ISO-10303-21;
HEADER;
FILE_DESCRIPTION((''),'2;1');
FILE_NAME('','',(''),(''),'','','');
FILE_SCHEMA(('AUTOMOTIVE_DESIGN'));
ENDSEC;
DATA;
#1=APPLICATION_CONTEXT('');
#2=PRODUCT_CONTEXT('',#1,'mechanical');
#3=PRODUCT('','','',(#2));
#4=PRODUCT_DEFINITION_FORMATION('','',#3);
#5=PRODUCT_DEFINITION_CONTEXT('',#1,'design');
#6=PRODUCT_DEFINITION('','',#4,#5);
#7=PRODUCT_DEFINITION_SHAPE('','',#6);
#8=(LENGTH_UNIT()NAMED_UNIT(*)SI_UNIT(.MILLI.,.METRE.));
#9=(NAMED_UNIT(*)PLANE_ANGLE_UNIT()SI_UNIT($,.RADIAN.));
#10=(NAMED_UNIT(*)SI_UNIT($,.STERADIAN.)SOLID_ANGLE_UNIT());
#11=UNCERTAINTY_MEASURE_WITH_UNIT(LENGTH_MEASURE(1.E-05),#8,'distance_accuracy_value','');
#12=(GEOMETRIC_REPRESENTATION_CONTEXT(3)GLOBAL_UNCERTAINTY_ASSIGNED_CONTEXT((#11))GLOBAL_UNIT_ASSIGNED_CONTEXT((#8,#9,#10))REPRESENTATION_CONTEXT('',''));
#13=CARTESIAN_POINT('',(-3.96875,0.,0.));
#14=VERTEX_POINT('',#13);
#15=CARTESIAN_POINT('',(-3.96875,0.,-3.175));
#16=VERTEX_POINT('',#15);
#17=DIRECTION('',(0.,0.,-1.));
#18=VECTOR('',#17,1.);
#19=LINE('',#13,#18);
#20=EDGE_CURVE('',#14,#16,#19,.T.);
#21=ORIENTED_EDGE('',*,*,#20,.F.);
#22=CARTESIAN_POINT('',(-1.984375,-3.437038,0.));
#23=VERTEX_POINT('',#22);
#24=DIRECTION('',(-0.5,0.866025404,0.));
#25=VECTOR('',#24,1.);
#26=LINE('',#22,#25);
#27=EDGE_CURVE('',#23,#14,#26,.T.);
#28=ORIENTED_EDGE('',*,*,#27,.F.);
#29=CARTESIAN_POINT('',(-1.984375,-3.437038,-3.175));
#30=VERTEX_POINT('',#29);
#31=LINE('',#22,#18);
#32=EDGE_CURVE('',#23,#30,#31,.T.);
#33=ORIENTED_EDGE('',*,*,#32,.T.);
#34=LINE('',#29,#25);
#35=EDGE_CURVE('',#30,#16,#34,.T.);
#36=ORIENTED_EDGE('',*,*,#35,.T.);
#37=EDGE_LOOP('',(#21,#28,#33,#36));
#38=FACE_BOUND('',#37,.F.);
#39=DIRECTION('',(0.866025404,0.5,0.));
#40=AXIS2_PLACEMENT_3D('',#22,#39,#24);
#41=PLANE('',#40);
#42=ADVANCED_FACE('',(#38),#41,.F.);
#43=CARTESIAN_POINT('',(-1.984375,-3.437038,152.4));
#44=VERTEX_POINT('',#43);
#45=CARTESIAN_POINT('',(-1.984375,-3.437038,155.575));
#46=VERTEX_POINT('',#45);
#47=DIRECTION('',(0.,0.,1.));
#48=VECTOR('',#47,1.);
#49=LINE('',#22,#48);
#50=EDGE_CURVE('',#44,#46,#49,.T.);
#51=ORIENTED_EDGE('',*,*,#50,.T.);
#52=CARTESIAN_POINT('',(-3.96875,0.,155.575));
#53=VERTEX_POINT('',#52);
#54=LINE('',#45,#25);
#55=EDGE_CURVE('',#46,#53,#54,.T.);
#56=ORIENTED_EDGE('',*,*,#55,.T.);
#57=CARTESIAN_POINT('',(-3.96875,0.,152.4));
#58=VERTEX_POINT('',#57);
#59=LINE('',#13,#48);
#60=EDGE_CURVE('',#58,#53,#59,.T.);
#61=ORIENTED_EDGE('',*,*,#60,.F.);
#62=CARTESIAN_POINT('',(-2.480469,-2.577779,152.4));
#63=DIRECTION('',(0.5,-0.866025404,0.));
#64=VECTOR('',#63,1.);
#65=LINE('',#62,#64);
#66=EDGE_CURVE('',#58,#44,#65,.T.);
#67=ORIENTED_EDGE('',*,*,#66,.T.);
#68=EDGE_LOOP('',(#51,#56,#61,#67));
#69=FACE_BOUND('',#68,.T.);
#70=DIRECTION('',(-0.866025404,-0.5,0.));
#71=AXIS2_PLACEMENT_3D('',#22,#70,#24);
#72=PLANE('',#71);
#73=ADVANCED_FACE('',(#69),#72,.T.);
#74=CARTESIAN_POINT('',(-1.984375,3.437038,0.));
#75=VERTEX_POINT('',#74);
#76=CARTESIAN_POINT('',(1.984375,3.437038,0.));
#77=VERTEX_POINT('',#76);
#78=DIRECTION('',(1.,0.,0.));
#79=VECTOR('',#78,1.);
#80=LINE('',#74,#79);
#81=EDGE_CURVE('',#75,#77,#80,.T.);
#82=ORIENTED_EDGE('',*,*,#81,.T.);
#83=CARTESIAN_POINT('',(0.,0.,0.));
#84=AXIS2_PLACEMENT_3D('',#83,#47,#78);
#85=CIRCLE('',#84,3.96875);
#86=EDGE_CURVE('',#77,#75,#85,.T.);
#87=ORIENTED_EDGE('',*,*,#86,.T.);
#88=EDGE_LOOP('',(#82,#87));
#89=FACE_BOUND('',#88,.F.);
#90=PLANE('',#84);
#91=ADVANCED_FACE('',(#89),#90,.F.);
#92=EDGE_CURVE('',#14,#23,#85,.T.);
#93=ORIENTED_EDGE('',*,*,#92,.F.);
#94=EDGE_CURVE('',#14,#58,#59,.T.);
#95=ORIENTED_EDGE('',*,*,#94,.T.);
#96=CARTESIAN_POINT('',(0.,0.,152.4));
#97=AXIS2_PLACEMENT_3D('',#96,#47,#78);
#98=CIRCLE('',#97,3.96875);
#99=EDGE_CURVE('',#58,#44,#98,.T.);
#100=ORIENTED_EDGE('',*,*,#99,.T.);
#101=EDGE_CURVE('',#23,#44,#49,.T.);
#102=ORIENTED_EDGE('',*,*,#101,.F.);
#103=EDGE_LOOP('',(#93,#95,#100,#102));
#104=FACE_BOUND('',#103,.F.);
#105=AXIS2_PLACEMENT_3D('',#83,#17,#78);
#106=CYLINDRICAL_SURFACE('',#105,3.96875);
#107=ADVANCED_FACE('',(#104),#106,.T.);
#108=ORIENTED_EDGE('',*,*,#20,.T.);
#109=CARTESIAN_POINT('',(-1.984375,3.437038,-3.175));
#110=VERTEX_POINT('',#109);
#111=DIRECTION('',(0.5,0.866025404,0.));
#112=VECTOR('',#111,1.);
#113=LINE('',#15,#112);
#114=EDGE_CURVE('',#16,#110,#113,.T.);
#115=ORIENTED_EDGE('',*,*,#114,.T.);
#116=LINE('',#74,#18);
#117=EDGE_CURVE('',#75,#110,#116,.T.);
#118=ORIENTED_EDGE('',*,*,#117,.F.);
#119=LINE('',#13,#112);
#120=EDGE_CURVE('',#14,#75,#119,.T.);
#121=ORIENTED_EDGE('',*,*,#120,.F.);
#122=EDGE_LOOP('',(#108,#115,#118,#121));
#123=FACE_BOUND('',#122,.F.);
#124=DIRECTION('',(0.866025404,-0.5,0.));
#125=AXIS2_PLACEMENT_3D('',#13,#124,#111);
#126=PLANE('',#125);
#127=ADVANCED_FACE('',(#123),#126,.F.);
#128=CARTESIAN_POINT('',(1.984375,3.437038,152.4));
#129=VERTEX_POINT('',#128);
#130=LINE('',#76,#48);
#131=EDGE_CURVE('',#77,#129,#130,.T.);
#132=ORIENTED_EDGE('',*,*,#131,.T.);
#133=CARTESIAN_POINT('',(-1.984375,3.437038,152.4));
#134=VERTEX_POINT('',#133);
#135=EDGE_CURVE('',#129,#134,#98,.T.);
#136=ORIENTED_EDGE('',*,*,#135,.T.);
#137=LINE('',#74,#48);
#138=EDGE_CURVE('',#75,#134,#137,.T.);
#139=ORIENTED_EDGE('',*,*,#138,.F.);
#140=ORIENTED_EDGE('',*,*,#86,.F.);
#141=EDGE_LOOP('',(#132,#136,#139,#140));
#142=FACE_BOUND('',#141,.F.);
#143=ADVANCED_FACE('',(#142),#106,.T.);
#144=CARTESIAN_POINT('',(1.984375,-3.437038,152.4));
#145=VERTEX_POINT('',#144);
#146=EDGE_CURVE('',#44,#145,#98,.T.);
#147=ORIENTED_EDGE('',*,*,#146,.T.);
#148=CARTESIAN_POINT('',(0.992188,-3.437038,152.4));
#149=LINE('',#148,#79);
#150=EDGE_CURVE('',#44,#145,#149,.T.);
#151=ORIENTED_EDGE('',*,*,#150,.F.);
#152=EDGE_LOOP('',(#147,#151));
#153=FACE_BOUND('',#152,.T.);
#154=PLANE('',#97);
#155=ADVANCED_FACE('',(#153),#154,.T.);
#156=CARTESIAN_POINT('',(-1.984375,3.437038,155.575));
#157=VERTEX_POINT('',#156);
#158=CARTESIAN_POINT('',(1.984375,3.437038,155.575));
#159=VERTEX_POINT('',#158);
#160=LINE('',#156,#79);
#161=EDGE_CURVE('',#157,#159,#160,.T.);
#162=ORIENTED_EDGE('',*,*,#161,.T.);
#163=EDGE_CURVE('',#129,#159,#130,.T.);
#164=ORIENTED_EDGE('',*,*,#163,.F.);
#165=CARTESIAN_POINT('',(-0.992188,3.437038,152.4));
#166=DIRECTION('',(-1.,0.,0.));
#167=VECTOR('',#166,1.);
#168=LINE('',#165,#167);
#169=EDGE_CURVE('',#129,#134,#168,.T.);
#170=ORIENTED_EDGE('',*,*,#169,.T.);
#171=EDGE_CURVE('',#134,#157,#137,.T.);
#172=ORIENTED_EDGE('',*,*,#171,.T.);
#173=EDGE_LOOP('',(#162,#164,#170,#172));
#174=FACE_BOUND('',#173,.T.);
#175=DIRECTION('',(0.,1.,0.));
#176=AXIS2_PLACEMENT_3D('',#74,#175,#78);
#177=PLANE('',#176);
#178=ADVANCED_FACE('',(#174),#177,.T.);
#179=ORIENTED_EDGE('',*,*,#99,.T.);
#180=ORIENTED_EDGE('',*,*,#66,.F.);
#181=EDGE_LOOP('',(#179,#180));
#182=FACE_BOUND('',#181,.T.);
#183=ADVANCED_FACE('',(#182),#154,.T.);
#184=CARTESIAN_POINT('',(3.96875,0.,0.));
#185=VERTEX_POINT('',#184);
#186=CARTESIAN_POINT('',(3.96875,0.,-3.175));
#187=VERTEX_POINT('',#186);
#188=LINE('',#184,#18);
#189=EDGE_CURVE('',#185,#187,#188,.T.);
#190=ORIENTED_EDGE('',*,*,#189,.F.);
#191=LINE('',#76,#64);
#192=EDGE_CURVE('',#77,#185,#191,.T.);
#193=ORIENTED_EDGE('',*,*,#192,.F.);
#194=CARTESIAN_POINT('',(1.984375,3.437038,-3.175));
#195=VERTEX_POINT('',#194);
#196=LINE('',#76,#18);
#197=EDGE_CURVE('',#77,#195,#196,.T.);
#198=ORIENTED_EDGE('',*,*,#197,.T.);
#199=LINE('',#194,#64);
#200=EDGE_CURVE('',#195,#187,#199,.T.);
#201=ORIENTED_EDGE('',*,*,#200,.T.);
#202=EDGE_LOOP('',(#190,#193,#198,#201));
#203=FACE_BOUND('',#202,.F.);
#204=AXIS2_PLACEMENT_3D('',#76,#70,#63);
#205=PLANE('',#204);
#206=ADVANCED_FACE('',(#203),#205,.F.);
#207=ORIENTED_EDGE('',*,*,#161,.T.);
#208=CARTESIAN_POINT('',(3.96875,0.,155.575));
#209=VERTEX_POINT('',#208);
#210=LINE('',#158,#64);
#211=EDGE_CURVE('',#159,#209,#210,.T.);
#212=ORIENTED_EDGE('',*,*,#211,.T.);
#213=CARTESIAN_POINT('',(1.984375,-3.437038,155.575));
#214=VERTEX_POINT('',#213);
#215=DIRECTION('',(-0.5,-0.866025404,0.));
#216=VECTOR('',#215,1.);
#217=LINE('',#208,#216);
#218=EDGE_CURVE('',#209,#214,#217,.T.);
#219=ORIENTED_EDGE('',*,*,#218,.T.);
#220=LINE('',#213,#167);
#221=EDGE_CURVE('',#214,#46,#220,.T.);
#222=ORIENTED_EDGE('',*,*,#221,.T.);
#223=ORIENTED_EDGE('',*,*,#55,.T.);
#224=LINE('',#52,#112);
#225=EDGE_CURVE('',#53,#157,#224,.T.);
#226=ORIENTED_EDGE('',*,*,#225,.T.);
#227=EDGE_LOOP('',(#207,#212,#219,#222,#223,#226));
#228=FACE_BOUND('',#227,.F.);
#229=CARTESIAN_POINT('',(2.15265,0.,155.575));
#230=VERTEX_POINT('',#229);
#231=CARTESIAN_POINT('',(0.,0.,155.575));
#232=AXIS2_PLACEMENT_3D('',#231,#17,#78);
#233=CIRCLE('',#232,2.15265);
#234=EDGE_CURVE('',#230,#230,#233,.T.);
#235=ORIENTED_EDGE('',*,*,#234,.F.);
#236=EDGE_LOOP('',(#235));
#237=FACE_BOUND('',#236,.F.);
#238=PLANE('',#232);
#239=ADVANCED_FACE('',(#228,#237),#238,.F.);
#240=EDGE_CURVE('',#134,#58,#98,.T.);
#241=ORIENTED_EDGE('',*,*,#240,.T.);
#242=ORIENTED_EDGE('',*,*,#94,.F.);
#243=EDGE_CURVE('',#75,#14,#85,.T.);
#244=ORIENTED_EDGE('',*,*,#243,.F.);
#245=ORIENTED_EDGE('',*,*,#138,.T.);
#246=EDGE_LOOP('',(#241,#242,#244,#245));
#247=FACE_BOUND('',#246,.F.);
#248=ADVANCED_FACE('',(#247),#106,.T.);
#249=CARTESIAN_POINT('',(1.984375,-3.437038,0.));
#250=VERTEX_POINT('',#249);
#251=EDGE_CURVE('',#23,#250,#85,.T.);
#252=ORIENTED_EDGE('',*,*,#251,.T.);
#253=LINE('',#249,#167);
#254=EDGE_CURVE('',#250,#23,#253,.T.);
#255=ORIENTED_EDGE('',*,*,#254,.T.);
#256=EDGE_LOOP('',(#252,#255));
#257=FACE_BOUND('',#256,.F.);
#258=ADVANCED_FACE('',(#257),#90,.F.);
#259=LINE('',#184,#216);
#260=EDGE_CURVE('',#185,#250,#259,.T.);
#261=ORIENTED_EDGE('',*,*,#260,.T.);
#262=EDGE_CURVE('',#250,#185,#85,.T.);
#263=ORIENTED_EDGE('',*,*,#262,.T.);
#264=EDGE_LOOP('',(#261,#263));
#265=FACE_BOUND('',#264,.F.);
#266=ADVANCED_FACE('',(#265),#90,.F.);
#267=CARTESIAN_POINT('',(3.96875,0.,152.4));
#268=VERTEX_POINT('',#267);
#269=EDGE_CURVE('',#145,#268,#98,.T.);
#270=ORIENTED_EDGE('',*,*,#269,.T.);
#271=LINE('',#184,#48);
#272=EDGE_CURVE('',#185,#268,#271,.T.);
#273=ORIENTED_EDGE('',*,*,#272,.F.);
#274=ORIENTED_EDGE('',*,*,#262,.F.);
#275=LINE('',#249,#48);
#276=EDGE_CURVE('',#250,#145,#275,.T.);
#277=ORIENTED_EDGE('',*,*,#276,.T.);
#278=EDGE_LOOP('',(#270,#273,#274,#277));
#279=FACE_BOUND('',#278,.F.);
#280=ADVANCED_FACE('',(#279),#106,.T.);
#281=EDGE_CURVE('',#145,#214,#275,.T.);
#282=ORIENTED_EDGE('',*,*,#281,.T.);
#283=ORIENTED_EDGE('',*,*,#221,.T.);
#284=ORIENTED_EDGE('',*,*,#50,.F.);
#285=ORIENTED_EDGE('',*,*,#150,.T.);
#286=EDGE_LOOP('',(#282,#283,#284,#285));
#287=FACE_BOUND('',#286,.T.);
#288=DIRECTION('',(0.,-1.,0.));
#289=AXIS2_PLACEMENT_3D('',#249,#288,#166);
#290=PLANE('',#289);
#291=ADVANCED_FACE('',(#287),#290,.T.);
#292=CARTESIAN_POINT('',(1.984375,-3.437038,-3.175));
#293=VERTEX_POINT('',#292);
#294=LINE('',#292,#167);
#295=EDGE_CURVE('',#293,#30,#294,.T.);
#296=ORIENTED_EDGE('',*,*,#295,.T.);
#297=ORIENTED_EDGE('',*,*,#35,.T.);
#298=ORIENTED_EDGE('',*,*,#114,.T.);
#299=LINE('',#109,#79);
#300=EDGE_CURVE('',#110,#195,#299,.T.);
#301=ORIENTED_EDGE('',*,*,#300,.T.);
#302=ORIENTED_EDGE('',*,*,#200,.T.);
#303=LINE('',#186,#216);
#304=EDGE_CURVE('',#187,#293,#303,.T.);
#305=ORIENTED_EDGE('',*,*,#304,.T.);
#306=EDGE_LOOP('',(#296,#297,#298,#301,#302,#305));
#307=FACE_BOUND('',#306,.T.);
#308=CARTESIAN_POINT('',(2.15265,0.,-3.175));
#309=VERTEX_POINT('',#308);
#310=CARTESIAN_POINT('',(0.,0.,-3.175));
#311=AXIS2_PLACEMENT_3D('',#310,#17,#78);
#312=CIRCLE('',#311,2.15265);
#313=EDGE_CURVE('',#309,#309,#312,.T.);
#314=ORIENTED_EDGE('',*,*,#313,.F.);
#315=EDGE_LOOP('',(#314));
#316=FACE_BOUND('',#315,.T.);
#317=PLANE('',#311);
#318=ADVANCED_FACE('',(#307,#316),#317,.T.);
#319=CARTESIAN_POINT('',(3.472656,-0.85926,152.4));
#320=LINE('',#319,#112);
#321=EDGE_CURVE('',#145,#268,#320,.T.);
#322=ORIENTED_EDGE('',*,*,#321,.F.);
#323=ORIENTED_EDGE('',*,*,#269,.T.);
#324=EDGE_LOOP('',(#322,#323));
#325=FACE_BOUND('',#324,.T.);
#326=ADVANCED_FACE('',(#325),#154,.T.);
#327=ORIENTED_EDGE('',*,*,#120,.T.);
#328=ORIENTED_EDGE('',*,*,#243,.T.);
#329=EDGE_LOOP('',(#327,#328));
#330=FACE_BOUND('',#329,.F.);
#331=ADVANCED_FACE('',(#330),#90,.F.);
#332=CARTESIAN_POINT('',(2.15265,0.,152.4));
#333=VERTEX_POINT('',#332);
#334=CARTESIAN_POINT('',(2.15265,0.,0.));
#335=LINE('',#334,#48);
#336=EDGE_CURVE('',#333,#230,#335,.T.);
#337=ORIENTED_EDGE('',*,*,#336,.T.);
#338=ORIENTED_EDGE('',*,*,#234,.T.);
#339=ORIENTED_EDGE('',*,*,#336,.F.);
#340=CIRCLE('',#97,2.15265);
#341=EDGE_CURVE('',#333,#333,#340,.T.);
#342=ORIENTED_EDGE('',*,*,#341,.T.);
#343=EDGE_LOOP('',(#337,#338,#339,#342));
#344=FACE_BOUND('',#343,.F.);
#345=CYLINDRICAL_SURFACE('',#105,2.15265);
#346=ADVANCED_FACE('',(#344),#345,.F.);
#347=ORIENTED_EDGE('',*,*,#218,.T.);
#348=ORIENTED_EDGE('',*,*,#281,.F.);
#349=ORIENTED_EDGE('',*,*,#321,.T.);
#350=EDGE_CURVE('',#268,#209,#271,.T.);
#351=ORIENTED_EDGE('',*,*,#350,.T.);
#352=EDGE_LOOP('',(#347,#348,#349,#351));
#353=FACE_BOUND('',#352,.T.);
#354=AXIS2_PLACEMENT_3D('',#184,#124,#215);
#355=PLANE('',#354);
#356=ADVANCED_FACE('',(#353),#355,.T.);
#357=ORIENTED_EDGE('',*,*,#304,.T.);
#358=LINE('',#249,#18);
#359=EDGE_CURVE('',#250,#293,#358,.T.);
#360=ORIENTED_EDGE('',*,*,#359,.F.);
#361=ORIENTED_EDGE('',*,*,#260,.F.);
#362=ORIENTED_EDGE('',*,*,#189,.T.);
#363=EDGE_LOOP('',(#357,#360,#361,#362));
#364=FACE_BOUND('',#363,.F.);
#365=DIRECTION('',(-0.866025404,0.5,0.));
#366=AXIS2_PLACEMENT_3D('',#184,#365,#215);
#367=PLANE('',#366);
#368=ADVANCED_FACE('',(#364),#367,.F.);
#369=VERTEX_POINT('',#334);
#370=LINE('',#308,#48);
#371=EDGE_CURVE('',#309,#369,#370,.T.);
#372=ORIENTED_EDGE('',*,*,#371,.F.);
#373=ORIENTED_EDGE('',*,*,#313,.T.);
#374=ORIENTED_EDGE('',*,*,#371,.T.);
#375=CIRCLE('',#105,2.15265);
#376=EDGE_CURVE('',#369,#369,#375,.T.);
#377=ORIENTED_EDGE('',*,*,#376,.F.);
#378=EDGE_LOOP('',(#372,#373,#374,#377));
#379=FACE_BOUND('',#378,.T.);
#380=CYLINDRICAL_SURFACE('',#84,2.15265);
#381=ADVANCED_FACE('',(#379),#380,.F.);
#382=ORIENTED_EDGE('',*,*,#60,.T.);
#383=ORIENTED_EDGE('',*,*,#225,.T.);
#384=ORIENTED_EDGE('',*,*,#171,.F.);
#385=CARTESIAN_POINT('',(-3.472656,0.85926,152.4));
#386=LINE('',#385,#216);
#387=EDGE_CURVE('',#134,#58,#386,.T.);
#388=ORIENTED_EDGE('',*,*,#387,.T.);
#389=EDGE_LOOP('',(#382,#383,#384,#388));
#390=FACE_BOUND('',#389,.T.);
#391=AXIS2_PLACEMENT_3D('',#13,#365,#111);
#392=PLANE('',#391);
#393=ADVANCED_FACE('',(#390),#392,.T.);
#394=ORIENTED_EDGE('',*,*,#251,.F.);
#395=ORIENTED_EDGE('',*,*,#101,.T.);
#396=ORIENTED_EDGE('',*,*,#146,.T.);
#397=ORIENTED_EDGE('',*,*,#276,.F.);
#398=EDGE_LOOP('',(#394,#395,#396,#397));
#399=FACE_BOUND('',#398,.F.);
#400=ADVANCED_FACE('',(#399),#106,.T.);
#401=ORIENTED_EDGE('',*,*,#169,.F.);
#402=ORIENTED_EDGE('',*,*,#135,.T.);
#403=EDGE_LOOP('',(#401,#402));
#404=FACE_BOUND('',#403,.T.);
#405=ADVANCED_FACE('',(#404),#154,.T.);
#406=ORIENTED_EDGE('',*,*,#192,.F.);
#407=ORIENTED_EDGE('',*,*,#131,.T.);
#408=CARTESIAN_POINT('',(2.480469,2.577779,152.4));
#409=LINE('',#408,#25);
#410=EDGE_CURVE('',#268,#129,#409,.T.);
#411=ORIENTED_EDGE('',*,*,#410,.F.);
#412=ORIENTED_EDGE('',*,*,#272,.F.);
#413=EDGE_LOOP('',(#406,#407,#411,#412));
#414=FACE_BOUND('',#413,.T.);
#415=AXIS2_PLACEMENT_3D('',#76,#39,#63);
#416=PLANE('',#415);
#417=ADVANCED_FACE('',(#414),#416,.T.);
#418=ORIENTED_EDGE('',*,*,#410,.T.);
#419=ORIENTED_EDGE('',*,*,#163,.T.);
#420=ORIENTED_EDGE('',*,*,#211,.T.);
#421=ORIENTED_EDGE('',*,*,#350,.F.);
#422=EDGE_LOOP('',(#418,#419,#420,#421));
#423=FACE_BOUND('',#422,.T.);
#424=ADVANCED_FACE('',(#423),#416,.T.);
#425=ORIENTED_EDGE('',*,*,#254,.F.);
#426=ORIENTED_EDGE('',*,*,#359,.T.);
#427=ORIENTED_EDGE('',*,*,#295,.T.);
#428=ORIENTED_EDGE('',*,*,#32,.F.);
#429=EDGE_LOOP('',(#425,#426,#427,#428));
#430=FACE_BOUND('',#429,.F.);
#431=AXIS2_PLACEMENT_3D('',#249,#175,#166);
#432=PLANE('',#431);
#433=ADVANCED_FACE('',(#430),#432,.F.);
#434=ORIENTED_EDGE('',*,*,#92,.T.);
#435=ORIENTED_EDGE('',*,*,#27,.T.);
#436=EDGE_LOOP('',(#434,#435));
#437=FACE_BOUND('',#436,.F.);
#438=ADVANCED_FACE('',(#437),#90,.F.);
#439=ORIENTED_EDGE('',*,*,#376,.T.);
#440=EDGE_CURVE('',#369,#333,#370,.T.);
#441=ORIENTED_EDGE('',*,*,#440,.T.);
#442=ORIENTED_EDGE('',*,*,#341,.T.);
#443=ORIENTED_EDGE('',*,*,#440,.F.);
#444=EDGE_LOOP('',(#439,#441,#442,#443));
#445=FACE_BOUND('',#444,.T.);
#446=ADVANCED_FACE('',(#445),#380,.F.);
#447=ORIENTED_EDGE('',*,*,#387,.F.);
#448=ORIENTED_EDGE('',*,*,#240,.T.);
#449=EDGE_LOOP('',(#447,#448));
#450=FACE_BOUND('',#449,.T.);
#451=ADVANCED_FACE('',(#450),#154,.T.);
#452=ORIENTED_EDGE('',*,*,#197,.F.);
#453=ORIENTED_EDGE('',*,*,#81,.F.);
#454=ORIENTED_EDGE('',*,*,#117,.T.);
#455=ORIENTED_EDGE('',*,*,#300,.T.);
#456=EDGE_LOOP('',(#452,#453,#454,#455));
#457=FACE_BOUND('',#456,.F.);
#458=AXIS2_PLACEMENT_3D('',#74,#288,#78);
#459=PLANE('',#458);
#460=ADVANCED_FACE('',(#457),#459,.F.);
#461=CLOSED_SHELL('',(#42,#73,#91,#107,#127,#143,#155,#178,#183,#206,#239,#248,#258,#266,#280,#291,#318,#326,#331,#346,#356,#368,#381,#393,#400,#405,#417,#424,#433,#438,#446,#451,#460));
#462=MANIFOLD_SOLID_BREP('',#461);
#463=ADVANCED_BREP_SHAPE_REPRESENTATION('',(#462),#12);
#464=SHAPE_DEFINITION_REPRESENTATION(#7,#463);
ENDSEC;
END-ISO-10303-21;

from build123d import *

# Parameters (mm, degrees)
F0_R          = 3.96875
F0_R_2        = 2.15265
F1_DEPTH      = 152.4
F3_R          = 2.15265
F4_DEPTH      = 3.175
F4_DEPTH_BACK = 155.575
F5_DEPTH      = 152.4


with BuildPart() as f1:
    # F0 (on Top) → F1 (new body)
    with BuildSketch(Plane.XY):
        Circle(F0_R)
        Circle(F0_R_2, mode=Mode.SUBTRACT)
    extrude(amount=F1_DEPTH)

    # F3 (on face) → F4 (join, two sides)
    with BuildSketch(Plane(origin=(0, 0, 0), x_dir=(1, 0, 0), z_dir=(0, 0, -1))) as f4_sk:
        Polygon((1.984375, -3.4370383213), (3.96875, 0), (1.984375, 3.4370383213), (-1.984375, 3.4370383213), (-3.96875, 0), (-1.984375, -3.4370383213), align=None)
        Circle(F3_R, mode=Mode.SUBTRACT)
    extrude(amount=F4_DEPTH)
    extrude(f4_sk.sketch, amount=-F4_DEPTH_BACK)

    # F5 (cut, through all): a face of the model
    f5_faces = [f1.faces().sort_by_distance(p)[0] for p in [
        (3.1618531236, 1.8254967521, 0),
    ]]
    extrude(f5_faces, amount=-F5_DEPTH, mode=Mode.SUBTRACT)


solid = f1.part
